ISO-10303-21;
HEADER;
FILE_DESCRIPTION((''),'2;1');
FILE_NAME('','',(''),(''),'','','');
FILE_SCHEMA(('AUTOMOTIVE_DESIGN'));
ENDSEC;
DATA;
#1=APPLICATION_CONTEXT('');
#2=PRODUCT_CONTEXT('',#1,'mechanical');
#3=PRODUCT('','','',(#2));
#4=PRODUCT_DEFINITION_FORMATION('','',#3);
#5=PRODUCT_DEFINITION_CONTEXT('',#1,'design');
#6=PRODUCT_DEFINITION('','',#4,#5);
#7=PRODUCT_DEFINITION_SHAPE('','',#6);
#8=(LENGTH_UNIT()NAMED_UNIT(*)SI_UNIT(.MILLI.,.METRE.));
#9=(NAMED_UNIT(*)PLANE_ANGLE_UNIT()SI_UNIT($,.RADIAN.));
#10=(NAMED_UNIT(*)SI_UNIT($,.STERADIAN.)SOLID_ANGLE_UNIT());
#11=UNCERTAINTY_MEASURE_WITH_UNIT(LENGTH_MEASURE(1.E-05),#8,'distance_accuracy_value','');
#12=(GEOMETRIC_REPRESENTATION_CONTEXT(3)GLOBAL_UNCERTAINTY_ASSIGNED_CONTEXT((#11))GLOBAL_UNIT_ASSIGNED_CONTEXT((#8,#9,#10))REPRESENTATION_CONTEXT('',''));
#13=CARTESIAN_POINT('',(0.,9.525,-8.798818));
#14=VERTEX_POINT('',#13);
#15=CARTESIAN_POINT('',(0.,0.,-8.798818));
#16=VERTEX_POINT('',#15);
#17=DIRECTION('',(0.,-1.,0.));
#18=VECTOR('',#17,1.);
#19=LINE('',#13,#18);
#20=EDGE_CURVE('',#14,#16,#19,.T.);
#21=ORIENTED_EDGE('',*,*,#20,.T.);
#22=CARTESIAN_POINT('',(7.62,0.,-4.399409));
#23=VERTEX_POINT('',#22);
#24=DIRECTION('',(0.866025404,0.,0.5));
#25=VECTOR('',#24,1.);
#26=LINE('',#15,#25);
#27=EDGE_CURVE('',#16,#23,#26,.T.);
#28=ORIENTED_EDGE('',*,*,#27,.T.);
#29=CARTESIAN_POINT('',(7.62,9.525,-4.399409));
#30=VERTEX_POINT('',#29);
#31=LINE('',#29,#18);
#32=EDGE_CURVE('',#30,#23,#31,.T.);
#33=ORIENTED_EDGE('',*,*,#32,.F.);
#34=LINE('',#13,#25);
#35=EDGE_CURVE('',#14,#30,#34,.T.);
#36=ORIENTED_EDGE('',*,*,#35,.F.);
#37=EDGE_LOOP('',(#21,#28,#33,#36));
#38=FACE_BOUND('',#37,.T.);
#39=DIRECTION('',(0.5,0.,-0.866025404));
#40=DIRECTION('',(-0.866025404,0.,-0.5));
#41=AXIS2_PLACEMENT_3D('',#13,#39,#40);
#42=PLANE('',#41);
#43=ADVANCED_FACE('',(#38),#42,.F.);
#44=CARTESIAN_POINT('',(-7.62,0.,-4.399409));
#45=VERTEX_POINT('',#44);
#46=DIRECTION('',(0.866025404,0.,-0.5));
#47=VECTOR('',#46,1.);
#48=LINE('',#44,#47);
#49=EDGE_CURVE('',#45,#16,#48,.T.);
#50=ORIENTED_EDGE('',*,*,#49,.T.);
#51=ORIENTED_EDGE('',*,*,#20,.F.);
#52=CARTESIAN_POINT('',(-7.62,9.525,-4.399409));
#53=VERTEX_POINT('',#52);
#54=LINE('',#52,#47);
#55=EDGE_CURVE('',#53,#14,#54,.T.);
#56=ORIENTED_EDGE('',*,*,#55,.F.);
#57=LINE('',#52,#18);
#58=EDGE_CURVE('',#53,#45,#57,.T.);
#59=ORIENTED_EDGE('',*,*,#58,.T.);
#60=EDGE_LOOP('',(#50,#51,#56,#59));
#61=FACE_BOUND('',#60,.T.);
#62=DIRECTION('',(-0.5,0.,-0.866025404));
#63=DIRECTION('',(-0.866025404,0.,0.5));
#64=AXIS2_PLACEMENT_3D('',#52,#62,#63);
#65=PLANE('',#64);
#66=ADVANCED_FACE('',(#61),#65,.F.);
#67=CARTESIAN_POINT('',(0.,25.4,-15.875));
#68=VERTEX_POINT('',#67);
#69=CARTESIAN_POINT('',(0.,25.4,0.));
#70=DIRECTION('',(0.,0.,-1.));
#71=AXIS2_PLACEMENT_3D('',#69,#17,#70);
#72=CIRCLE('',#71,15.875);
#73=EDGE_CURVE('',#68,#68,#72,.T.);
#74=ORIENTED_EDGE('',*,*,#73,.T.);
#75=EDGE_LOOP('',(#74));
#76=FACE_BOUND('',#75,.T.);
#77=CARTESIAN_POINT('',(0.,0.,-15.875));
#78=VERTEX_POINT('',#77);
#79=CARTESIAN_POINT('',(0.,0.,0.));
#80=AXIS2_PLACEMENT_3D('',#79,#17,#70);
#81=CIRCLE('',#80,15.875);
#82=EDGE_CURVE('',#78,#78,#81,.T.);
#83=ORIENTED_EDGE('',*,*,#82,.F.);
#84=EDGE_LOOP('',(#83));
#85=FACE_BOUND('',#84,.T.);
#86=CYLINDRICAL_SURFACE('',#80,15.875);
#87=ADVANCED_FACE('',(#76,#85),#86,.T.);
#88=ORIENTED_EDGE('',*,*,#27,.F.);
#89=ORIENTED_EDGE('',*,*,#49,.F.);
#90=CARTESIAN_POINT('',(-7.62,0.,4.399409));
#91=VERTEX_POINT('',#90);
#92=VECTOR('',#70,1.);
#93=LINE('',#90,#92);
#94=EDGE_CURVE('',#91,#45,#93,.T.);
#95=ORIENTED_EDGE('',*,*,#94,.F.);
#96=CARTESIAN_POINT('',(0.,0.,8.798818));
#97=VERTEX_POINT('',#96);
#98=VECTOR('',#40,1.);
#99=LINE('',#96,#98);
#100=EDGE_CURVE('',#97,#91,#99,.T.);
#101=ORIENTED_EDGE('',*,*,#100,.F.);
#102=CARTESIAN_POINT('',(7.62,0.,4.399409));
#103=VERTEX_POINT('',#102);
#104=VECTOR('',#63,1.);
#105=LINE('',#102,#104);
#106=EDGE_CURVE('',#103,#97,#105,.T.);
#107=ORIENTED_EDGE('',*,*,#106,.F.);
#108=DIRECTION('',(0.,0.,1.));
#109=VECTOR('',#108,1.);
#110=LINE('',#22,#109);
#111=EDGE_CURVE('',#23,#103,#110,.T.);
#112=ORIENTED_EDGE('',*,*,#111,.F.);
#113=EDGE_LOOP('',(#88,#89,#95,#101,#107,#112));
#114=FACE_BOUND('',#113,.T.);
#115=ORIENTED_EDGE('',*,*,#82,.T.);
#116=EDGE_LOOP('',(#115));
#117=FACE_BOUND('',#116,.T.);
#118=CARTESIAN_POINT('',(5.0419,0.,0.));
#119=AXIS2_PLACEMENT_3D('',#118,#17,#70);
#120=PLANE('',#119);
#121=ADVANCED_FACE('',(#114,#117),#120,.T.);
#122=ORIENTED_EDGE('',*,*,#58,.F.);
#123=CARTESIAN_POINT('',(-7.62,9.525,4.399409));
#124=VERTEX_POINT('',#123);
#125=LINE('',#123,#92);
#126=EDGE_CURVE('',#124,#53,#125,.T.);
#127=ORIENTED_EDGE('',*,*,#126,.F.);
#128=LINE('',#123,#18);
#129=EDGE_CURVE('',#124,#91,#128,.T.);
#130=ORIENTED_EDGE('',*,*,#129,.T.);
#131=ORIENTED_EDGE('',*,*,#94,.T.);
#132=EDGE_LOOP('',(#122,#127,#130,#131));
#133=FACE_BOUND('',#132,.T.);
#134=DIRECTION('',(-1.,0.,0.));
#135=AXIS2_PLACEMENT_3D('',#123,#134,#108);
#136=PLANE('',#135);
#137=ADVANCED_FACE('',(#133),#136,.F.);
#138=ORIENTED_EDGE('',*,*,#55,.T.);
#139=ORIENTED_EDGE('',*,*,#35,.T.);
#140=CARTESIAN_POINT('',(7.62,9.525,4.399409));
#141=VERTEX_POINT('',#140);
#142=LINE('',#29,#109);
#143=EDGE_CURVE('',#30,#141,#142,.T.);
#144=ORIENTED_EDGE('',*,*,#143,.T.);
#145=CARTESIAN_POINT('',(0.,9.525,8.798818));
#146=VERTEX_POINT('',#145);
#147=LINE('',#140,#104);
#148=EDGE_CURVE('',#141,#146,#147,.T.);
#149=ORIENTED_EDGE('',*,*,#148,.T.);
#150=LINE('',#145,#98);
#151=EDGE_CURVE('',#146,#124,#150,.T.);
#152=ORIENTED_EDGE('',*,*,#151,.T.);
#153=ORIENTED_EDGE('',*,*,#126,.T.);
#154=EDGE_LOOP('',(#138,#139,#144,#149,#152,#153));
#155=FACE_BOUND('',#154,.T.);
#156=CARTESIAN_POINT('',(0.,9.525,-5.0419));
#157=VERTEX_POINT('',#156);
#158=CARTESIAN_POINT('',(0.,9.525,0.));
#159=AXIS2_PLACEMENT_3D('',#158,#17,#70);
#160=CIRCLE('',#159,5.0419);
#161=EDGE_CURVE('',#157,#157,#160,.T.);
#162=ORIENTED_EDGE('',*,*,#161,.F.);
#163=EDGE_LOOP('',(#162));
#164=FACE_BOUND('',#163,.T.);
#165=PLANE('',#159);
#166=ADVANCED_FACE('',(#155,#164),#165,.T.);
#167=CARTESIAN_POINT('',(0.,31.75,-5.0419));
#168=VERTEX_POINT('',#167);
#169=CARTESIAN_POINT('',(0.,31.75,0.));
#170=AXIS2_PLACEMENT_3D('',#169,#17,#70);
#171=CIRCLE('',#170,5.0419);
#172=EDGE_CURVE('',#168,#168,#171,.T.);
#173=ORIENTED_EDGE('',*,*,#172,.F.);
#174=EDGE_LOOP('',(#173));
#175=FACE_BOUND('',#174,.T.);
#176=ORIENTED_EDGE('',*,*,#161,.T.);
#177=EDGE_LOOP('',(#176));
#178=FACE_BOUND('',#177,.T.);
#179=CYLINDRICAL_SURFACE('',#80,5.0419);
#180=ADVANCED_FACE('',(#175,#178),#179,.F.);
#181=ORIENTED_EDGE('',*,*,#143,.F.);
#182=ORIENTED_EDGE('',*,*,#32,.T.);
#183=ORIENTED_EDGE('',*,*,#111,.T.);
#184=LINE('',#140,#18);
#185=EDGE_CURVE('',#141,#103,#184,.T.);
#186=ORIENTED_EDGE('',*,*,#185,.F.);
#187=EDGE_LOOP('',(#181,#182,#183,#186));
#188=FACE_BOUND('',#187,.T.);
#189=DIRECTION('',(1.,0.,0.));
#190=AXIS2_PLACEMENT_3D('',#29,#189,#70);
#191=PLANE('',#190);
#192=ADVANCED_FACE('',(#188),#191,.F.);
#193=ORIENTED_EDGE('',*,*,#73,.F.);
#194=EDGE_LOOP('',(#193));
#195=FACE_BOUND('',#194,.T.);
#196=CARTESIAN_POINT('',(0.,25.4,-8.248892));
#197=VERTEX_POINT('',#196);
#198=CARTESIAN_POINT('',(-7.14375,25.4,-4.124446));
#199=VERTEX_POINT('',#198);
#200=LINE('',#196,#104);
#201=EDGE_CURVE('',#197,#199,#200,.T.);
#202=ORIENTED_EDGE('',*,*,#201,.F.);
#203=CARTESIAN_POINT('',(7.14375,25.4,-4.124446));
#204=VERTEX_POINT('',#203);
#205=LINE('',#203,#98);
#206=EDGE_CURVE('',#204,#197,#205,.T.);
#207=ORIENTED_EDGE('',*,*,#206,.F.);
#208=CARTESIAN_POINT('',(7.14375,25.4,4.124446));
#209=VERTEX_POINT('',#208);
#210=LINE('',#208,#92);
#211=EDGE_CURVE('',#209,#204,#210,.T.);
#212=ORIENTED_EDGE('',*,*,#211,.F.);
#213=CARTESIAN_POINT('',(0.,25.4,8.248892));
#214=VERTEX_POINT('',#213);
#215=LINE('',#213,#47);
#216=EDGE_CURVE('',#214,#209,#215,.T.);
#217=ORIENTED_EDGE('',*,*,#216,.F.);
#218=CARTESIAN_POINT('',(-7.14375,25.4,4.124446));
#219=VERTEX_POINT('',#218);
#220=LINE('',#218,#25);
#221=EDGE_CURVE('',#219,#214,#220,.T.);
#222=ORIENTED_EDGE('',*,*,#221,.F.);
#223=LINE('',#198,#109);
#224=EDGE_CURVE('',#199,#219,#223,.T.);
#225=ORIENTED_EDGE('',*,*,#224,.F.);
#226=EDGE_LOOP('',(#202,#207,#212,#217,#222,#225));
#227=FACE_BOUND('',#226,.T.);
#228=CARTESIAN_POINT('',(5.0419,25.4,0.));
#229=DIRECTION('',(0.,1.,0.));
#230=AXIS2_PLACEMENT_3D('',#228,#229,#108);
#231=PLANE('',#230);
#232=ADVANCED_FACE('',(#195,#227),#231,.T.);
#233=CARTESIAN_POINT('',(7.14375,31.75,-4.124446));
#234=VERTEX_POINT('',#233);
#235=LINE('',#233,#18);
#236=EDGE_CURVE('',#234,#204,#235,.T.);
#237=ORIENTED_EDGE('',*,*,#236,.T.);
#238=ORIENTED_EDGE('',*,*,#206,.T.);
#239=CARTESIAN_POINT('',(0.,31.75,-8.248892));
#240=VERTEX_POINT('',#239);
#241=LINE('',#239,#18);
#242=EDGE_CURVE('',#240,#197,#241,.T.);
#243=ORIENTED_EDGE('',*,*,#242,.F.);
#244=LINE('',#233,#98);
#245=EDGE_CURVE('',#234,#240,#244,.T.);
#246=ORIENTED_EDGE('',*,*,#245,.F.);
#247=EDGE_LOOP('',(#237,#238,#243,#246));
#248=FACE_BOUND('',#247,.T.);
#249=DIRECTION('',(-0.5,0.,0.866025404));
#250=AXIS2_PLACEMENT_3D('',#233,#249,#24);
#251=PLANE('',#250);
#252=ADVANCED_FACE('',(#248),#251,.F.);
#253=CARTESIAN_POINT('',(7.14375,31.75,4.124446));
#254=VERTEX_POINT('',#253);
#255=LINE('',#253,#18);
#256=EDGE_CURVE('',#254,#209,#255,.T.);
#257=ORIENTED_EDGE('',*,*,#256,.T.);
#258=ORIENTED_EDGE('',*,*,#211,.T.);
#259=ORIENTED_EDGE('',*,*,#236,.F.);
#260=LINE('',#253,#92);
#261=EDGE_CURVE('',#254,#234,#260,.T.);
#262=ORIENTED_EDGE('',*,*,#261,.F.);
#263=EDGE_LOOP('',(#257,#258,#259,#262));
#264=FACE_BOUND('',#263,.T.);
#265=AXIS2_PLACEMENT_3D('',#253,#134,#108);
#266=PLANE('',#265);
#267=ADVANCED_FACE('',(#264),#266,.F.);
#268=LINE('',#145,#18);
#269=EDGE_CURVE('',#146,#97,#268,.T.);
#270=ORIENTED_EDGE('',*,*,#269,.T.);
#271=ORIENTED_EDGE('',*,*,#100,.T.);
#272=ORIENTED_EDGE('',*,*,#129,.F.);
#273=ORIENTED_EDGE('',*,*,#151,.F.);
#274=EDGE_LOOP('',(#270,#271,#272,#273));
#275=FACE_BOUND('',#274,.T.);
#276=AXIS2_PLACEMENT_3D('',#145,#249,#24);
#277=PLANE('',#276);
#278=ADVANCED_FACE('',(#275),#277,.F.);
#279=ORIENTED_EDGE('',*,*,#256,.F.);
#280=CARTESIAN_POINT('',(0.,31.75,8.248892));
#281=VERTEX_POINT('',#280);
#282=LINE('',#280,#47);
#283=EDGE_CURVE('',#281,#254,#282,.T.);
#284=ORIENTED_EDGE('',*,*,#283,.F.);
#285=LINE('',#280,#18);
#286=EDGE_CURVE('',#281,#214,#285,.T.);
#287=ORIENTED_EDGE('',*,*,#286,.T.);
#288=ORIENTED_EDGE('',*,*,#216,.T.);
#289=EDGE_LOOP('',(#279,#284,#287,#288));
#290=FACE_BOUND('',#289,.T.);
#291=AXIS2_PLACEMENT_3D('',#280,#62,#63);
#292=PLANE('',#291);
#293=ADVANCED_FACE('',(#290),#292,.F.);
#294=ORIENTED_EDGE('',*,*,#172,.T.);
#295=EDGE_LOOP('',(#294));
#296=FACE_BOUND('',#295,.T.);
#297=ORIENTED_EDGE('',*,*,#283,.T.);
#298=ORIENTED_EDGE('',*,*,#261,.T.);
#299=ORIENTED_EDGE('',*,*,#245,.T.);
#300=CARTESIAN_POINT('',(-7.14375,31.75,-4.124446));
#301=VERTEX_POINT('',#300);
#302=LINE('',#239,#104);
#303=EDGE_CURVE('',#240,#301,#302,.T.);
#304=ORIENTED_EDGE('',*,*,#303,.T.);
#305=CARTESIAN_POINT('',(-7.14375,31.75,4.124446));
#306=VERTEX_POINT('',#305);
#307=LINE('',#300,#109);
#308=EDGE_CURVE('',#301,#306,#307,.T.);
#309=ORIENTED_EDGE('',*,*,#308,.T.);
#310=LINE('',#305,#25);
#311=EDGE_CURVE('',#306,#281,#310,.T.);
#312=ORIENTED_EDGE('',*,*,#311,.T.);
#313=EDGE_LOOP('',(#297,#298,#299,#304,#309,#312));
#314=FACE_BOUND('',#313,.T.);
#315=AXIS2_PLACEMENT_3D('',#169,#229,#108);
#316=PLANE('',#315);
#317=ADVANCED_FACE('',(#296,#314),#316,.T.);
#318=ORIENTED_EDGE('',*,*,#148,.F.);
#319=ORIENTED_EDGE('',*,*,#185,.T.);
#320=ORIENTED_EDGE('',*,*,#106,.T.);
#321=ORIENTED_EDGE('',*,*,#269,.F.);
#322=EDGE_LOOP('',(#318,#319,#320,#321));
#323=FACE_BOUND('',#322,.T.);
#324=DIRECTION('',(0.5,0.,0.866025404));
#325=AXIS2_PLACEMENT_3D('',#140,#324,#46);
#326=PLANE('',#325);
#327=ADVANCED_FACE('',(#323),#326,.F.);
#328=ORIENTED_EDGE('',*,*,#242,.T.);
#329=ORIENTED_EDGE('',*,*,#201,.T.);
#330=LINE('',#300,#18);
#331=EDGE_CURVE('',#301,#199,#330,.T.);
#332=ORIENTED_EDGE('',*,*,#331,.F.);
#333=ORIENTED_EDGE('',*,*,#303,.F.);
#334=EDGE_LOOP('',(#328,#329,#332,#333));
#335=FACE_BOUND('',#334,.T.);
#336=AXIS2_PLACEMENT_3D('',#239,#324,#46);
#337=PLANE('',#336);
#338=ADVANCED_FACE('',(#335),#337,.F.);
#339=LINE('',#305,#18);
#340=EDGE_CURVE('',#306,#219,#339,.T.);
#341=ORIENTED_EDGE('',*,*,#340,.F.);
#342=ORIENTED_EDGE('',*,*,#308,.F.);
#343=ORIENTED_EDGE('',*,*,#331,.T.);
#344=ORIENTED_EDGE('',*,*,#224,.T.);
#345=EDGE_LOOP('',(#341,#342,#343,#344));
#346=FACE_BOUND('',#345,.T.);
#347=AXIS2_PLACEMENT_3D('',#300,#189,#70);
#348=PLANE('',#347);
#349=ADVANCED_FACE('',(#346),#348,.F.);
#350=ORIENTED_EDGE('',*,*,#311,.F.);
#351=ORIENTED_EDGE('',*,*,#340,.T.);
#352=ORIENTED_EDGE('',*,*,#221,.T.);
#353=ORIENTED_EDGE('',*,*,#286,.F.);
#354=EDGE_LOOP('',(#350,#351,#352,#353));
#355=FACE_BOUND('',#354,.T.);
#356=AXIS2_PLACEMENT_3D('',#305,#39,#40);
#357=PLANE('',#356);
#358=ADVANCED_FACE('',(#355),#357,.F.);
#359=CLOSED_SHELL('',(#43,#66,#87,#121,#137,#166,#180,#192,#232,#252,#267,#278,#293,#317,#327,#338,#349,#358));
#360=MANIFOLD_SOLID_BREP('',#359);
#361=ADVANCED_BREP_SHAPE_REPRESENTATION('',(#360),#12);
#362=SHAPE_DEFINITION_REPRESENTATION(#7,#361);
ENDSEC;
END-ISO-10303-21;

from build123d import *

# Parameters (mm, degrees)
SKETCH1_W           = 10.8331
SKETCH1_H           = 25.4
CUT_EXTRUDE1_DEPTH  = 9.525
BOSS_EXTRUDE1_DEPTH = 6.35
SKETCH5_R           = 5.0419
CUT_EXTRUDE2_DEPTH  = 34.89972345


with BuildPart() as part:
    # Sketch1 → Revolve1 (revolve)
    with BuildSketch(Plane.XY, mode=Mode.PRIVATE) as revolve1_sk:
        with Locations((10.45845, 12.7)):
            Rectangle(SKETCH1_W, SKETCH1_H)
    revolve(revolve1_sk.sketch.rotate(Axis((0, 0, 0), (0, 1, 0)), 90), axis=Axis((0, 0, 0), (0, 1, 0)))

    # Sketch3 → Cut-Extrude1 (cut)
    with BuildSketch(Plane.XZ):
        Polygon((7.62, -4.399409051), (7.62, 4.399409051), (0, 8.798818102), (-7.62, 4.399409051), (-7.62, -4.399409051), (0, -8.798818102), align=None)
    extrude(amount=-CUT_EXTRUDE1_DEPTH, mode=Mode.SUBTRACT)

    # Sketch4 → Boss-Extrude1 (add)
    with BuildSketch(Plane(origin=(0, 25.4, 0), x_dir=(1, 0, 0), z_dir=(0, 1, 0))):
        Polygon((0, 8.248891971), (-7.14375, 4.124445986), (-7.14375, -4.124445986), (0, -8.248891971), (7.14375, -4.124445986), (7.14375, 4.124445986), align=None)
    extrude(amount=BOSS_EXTRUDE1_DEPTH)

    # Sketch5 → Cut-Extrude2 (cut, through all)
    with BuildSketch(Plane.XZ.offset(-25.4)):
        with Locations(Location((0, 0, 0), (0, 0, 270))):
            Circle(SKETCH5_R)
    extrude(amount=-CUT_EXTRUDE2_DEPTH, mode=Mode.SUBTRACT)


solid = part.part
